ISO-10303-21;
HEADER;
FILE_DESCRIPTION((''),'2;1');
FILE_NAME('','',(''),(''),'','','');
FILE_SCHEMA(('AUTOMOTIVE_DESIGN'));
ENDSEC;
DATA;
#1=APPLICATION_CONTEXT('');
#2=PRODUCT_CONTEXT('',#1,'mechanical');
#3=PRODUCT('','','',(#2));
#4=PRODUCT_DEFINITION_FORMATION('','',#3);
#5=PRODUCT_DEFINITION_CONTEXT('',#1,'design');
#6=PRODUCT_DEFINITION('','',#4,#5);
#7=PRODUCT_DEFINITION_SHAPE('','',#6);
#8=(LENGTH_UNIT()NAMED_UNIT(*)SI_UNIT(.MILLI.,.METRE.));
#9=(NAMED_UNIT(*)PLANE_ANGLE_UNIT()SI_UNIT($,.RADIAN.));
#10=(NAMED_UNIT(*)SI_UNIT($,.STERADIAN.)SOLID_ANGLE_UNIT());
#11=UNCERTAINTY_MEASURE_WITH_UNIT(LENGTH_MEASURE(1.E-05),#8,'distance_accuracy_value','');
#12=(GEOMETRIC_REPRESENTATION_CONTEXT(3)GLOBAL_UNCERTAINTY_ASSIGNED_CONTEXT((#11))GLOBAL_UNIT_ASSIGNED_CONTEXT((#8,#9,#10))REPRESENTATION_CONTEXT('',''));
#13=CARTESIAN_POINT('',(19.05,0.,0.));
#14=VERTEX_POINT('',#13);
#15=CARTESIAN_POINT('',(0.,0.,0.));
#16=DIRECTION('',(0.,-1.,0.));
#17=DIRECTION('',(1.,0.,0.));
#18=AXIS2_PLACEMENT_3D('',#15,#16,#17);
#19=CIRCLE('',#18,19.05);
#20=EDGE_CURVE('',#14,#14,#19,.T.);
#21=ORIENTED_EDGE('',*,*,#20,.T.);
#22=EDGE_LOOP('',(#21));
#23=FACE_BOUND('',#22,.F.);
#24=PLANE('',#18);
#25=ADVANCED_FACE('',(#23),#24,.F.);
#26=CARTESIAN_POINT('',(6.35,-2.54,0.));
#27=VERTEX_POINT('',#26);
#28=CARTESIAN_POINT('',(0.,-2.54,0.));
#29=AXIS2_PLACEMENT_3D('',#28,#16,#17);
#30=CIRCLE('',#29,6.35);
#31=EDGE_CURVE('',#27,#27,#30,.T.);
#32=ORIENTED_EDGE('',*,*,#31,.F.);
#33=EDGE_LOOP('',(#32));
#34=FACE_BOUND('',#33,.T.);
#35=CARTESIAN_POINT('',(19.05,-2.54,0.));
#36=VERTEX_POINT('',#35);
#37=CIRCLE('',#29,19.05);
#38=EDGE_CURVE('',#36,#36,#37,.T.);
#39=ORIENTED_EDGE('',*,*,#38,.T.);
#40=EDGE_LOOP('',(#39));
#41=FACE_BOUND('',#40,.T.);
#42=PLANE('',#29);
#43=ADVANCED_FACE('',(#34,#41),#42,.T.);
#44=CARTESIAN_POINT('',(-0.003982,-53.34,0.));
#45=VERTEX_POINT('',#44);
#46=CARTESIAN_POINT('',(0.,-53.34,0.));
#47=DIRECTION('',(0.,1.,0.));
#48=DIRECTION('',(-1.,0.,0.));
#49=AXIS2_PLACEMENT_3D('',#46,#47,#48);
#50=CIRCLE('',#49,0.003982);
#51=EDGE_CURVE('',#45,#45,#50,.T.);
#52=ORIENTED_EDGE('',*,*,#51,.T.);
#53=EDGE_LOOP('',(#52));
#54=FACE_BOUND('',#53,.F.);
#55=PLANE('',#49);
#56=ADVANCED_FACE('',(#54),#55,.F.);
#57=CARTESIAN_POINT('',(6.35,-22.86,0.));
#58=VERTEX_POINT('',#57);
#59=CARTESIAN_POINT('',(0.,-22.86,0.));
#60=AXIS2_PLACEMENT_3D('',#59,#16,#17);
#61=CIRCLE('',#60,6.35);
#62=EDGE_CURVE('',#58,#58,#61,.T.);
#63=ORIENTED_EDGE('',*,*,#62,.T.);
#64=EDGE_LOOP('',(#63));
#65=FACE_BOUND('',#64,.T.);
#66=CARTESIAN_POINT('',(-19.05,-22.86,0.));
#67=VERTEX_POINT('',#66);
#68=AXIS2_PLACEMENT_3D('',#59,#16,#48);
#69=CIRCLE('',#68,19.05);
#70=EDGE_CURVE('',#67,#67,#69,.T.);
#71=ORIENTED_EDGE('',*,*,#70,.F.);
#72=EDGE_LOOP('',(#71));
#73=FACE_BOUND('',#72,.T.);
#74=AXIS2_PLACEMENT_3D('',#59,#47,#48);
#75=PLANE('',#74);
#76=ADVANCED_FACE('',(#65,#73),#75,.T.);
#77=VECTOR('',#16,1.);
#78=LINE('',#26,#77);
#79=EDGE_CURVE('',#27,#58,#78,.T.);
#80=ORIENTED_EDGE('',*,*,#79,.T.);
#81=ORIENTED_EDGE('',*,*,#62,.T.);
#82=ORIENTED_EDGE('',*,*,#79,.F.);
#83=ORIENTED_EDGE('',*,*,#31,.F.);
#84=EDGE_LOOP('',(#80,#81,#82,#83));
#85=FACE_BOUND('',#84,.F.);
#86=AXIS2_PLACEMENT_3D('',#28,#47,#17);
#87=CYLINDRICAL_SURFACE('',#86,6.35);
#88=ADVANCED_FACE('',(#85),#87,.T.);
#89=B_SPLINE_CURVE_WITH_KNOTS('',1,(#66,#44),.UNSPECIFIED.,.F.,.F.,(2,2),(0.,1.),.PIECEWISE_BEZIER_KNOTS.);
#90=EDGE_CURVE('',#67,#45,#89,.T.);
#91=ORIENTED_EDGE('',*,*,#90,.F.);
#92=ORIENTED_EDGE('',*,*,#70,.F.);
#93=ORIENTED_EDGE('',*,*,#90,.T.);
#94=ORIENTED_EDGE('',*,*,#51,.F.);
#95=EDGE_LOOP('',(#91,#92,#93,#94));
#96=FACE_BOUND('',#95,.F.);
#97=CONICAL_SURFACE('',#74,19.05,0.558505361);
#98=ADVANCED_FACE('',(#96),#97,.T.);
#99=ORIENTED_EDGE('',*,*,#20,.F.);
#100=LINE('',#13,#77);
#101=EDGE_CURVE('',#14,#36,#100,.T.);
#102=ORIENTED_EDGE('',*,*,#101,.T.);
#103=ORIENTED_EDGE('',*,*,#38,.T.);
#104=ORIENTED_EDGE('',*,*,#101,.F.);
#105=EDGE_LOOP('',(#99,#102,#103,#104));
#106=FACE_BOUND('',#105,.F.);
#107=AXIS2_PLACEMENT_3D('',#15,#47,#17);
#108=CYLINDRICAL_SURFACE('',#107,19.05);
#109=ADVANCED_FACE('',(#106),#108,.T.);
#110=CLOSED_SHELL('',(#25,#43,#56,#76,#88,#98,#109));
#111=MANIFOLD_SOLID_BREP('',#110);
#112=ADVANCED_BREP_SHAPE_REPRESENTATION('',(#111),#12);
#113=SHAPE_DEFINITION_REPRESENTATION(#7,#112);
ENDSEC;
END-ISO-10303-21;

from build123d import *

# Parameters (mm, degrees)
F0_R     = 19.05
F1_DEPTH = 2.54
F2_R     = 6.35
F3_DEPTH = 20.32
F5_R     = 19.05
F6_DEPTH = 30.48
F6_TAPER = 32


with BuildPart() as f1:
    # F0 (on Front) → F1 (new body)
    with BuildSketch(Plane.XZ):
        Circle(F0_R)
    extrude(amount=F1_DEPTH)

    # F2 (on face) → F3 (join)
    with BuildSketch(Plane.XZ.offset(2.54)):
        Circle(F2_R)
    extrude(amount=F3_DEPTH)

    # F5 (on offset) → F6 (join)
    with BuildSketch(Plane(origin=(0, -22.86, 0), x_dir=(-1, 0, 0), z_dir=(0, 1, 0))):
        Circle(F5_R)
    extrude(amount=-F6_DEPTH, taper=F6_TAPER)


solid = f1.part
